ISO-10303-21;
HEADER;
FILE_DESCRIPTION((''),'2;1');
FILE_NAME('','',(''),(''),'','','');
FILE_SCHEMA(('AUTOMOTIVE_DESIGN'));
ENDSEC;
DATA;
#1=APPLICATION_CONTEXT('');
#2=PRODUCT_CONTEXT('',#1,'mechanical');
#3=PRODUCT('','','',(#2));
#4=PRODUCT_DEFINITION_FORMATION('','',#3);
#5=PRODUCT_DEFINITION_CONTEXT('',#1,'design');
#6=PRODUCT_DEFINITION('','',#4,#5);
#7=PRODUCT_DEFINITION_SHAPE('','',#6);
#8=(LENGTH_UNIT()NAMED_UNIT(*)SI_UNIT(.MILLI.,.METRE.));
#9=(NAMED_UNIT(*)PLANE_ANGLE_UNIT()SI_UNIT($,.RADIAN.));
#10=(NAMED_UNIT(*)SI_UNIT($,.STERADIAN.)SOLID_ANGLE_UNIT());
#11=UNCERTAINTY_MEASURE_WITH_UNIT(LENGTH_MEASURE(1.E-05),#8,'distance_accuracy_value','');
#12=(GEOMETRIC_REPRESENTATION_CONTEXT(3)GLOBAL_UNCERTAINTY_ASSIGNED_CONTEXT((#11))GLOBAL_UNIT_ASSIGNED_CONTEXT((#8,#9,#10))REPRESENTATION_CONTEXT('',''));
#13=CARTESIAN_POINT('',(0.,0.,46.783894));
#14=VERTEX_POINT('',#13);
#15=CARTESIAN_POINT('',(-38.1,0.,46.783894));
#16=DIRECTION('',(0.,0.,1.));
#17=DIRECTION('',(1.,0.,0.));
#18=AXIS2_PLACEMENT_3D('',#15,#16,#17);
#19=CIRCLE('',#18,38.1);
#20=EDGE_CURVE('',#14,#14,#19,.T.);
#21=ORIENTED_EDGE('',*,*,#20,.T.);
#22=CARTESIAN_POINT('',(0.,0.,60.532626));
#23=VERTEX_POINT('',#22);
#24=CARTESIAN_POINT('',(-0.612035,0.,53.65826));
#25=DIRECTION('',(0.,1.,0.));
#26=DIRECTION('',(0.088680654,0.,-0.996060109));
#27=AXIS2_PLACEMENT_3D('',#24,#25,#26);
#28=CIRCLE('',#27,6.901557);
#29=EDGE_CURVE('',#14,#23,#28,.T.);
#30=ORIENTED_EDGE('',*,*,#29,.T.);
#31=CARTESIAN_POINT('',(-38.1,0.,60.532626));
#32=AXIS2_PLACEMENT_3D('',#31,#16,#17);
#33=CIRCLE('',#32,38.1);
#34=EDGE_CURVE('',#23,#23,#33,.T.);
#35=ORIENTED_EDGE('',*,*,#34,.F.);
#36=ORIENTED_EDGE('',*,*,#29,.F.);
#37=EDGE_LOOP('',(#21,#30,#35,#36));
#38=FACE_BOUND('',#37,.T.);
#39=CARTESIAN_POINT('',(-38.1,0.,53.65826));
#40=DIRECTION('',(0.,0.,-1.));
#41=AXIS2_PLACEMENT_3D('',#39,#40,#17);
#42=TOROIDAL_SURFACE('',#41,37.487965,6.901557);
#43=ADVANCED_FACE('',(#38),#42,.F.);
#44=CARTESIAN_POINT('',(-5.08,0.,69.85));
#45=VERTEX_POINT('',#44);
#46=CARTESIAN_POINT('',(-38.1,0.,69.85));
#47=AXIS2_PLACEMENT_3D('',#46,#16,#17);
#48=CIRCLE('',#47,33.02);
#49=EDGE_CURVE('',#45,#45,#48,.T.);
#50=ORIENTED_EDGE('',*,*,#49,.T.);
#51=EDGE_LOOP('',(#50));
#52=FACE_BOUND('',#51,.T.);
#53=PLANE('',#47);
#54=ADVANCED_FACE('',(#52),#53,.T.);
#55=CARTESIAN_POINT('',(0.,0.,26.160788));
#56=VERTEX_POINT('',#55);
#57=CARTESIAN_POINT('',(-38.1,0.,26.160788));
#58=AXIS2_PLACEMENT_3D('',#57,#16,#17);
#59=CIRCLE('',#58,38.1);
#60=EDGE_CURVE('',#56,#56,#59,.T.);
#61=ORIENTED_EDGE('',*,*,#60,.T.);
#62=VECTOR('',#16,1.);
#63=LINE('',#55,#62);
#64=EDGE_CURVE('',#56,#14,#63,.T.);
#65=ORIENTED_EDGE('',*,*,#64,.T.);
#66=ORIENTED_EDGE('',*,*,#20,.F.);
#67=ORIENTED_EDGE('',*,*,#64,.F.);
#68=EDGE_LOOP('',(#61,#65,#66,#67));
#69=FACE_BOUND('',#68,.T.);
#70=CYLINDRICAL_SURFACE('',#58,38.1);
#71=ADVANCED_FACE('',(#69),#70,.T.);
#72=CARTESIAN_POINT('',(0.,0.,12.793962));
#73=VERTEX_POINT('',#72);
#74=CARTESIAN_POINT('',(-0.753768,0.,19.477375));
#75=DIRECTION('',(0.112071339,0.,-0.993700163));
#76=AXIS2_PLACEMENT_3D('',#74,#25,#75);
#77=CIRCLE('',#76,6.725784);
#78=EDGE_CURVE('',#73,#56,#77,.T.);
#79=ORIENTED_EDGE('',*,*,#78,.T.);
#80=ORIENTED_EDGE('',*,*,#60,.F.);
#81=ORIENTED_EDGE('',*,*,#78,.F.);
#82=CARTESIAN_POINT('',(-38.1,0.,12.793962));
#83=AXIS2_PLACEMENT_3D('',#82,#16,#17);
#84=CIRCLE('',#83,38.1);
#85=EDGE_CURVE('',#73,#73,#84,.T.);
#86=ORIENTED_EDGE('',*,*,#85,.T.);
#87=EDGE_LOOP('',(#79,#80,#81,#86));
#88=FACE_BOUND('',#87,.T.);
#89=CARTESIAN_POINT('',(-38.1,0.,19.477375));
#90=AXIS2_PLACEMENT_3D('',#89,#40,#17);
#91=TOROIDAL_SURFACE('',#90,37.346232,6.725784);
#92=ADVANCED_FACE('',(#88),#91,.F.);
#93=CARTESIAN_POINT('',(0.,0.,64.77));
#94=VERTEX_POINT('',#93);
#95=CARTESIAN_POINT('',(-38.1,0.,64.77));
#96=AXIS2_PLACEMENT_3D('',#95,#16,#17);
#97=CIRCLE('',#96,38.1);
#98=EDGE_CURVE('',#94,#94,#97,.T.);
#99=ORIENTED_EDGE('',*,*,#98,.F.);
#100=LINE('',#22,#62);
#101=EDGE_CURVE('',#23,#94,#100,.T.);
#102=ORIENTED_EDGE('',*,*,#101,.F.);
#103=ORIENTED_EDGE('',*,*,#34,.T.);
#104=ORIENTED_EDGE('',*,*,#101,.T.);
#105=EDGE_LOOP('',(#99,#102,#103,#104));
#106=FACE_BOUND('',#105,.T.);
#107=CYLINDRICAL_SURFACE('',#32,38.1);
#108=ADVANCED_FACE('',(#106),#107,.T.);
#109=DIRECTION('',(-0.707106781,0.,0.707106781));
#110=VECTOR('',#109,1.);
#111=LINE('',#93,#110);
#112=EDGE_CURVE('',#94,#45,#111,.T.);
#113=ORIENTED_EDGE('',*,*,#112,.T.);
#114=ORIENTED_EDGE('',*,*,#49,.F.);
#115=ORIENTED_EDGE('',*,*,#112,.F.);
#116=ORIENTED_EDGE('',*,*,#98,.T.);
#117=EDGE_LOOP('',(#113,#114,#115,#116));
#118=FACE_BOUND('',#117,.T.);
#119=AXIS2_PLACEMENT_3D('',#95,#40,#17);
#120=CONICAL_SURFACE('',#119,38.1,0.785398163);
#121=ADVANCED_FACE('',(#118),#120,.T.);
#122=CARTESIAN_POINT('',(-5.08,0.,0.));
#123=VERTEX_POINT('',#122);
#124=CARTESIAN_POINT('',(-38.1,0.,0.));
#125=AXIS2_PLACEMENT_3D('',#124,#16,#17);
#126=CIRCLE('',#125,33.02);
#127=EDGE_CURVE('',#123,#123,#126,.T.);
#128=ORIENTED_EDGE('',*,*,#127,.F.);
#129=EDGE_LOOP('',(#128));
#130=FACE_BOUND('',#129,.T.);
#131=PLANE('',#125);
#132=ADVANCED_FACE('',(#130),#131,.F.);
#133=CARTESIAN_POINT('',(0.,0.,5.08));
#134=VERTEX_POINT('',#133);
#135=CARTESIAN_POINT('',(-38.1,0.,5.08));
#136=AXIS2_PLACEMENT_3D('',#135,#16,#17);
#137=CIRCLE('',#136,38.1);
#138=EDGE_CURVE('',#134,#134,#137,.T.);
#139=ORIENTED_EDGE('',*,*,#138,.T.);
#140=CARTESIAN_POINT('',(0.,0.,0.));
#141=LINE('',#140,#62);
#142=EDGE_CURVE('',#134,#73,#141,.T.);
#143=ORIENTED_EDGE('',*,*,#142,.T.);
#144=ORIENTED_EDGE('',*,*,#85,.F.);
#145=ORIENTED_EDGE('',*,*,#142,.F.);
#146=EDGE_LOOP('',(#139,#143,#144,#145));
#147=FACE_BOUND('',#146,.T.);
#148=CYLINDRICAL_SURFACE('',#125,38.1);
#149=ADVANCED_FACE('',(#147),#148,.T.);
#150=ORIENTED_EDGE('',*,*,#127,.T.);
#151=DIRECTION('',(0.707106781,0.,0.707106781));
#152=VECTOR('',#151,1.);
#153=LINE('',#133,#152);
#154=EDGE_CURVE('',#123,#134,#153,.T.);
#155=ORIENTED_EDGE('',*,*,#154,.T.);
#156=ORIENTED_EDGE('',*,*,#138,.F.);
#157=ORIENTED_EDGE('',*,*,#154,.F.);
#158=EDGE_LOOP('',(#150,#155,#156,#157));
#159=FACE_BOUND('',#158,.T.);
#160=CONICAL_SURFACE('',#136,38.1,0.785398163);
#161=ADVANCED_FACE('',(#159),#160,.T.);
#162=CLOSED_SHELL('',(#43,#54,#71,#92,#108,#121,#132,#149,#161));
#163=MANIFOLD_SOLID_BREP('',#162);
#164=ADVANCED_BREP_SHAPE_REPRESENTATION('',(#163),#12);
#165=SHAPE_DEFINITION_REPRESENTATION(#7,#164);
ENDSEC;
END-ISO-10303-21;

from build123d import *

# Parameters (mm, degrees)
F2_SIZE = 5.08


with BuildPart() as f1:
    # F0 (on Front) → F1 (revolve)
    with BuildSketch(Plane.XZ):
        with BuildLine():
            Line((-38.1, 0), (0, 0))
            Line((0, 0), (0, 12.793962))
            ThreePointArc((0, 12.793962), (-7.479552, 19.477375), (0, 26.160788))
            Line((0, 26.160788), (0, 46.783894))
            ThreePointArc((0, 46.783894), (-7.513592, 53.65826), (0, 60.532626))
            Line((0, 60.532626), (0, 69.85))
            Line((0, 69.85), (-38.1, 69.85))
            Line((-38.1, 69.85), (-38.1, 0))
        make_face()
    revolve(axis=Axis((-38.1, 0, 34.925), (0, 0, 1)))

    # F2
    f2_edges = [f1.edges().sort_by_distance(p)[0] for p in [
        (-76.2, 0, 69.85),
        (-76.2, 0, 0),
    ]]
    chamfer(f2_edges, length=F2_SIZE)


solid = f1.part
